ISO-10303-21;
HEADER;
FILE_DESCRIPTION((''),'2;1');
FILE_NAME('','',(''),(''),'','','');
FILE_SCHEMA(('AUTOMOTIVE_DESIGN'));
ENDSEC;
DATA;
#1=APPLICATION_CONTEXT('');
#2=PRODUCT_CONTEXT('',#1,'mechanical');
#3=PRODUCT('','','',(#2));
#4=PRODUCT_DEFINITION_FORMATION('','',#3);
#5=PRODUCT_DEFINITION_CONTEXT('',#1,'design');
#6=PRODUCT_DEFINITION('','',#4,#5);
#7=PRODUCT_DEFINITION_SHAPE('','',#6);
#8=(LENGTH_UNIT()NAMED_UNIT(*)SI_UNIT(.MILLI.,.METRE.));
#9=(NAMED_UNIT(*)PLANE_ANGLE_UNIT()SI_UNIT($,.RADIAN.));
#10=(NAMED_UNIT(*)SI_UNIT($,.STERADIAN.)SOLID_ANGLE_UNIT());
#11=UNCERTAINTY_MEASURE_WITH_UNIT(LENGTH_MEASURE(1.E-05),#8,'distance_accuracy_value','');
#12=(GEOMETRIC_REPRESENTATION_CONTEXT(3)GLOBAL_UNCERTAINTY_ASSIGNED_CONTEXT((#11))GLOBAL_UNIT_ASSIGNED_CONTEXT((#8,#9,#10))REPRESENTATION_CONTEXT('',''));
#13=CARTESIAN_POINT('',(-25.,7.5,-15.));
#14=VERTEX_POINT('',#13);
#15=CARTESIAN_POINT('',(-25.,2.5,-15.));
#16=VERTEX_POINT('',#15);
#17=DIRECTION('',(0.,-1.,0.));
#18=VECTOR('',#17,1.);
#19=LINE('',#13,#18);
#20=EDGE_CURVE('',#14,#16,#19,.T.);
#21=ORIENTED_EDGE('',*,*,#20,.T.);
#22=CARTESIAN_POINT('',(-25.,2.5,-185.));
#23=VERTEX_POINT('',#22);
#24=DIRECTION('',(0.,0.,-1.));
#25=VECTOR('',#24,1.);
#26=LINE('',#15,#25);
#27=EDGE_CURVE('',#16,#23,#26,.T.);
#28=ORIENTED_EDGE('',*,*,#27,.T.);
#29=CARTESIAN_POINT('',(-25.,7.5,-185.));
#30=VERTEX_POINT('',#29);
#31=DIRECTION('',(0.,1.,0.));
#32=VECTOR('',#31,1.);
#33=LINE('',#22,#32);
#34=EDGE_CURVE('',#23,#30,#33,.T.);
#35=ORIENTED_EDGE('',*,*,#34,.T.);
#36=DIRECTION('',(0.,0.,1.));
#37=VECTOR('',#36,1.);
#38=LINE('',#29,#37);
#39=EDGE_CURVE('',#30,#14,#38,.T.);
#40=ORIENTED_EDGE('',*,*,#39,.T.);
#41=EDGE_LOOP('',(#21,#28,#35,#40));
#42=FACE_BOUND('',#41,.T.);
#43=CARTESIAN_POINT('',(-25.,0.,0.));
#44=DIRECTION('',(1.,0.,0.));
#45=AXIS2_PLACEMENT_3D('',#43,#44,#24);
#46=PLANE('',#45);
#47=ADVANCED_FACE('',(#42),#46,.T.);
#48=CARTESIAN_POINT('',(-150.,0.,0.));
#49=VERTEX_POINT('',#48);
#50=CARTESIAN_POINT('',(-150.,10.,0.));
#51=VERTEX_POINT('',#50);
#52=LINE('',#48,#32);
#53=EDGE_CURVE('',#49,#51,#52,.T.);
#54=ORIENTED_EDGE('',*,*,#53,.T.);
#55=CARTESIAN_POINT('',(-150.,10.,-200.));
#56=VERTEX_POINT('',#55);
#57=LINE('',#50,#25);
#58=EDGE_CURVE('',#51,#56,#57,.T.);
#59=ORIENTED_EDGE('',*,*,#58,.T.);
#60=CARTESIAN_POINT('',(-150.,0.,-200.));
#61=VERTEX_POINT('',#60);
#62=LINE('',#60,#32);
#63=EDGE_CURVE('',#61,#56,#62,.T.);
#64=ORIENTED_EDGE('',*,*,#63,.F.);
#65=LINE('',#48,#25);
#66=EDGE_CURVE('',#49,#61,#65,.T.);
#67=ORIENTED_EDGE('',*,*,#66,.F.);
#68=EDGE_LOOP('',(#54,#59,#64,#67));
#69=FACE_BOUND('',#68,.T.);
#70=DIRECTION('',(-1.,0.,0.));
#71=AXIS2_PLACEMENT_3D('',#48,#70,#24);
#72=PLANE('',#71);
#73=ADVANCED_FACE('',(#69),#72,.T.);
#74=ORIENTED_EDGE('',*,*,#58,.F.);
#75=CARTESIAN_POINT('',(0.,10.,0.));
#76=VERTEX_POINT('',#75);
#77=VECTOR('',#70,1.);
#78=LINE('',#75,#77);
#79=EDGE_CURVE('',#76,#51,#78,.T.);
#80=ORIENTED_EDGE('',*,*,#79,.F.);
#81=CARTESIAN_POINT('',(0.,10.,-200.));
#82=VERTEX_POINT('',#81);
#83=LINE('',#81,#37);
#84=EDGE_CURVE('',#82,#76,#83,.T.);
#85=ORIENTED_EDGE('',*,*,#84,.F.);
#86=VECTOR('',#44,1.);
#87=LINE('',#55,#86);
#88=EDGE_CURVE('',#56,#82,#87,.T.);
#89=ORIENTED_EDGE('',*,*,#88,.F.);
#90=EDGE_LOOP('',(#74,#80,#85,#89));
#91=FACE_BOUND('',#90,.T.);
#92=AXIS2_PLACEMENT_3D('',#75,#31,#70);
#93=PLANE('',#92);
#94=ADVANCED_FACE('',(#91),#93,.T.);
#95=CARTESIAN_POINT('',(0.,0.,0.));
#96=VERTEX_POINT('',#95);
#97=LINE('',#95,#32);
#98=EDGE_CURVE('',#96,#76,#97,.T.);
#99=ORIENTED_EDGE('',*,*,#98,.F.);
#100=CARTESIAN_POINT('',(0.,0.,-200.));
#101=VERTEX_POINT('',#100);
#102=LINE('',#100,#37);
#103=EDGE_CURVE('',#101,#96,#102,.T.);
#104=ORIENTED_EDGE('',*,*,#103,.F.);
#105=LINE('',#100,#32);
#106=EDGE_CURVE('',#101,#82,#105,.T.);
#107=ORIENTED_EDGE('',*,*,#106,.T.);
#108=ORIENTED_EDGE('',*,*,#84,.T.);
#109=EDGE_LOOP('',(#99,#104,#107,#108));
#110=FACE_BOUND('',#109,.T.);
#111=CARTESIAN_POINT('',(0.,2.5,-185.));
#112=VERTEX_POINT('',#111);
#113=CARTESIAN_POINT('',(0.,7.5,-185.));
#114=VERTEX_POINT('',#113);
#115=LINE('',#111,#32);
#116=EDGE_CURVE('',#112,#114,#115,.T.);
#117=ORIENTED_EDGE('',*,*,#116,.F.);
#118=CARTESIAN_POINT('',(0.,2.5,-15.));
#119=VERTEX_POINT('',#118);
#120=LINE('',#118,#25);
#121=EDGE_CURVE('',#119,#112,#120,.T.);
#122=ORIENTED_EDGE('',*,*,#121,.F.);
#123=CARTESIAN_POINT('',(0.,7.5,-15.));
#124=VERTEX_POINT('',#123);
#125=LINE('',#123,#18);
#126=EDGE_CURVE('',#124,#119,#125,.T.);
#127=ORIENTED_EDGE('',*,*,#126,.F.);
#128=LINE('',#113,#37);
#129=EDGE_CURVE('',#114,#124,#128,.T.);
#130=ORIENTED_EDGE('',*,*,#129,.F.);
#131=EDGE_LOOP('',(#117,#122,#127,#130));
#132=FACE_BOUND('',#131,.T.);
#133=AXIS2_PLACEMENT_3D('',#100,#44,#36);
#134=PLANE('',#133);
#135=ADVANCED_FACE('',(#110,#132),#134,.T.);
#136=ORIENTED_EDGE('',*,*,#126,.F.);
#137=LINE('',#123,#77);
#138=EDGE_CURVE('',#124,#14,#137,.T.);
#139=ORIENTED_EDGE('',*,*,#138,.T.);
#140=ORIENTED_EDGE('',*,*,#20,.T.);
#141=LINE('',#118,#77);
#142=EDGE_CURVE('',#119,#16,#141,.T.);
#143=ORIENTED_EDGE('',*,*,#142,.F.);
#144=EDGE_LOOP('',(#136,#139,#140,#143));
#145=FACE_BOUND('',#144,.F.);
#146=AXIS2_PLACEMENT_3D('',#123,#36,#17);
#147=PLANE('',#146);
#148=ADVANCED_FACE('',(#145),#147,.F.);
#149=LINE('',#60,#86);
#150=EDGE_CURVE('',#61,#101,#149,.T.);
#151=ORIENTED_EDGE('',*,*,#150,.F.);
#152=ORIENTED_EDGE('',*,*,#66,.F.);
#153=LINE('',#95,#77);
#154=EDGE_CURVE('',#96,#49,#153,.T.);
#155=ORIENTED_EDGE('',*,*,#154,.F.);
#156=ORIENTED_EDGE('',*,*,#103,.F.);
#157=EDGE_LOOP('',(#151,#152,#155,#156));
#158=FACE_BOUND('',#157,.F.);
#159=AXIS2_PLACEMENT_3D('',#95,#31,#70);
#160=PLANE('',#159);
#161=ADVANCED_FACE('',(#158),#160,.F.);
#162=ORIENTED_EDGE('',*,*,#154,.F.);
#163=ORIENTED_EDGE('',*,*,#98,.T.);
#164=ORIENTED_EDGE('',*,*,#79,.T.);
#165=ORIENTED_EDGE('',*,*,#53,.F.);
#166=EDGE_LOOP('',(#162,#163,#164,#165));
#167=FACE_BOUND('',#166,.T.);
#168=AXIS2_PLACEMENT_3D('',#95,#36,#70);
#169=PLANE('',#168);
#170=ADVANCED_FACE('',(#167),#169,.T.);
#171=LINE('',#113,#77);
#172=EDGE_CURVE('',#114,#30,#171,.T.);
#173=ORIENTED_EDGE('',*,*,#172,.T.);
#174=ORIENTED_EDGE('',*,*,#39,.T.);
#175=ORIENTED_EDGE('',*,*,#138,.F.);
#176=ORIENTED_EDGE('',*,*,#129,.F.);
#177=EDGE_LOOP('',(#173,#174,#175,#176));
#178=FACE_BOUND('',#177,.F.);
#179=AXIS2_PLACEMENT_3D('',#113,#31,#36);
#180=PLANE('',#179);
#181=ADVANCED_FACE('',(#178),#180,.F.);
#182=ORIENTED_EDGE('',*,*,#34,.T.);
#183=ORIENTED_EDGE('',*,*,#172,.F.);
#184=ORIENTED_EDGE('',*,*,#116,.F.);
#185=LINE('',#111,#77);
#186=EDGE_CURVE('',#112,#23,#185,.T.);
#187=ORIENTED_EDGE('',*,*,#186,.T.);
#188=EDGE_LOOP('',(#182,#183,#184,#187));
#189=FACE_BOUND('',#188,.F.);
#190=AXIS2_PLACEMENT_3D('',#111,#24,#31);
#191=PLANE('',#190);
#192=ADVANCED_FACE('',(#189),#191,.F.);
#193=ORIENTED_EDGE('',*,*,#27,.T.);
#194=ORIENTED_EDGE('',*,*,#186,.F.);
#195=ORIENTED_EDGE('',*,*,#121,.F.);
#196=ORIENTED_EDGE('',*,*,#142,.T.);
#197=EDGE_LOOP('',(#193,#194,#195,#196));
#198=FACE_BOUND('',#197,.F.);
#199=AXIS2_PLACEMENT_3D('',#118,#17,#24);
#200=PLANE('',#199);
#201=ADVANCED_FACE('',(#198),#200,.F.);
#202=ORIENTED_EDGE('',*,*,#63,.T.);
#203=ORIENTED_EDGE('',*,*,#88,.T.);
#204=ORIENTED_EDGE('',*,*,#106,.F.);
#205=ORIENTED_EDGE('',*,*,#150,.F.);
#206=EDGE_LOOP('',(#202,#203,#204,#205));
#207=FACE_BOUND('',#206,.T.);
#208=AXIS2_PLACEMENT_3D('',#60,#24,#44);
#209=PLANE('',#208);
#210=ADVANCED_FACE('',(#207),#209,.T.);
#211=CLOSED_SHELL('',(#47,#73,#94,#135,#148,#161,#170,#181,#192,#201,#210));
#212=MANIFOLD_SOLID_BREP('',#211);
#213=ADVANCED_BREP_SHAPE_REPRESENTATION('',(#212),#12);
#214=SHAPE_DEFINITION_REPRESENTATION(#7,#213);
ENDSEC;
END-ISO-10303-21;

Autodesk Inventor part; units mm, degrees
ref_plane "YZ Plane" through (0, 0, 0) normal (1, 0, 0) x (0, 1, 0)
ref_plane "XZ Plane" through (0, 0, 0) normal (0, 1, 0) x (-1, 0, 0)
ref_plane "XY Plane" through (0, 0, 0) normal (0, 0, 1) x (1, 0, 0)
sketch "Sketch1" plane through (0, 0, 0) normal (0, 1, 0) x (-1, 0, 0)
  line L0 (0, 0) -> (150, 0)
  line L1 (150, 0) -> (150, -200)
  line L2 (150, -200) -> (0, -200)
  line L3 (0, -200) -> (0, 0)
  dimension "d0" = 150
  dimension "d1" = 200
extrude "Extrusion1" add sketch "Sketch1" along normal blind 10
sketch "Sketch2" plane through (0, 0, 0) normal (1, 0, 0) x (0, 0, -1)
  line L0 (15, 2.5) -> (185, 2.5)
  line L1 (185, 2.5) -> (185, 7.5)
  line L2 (185, 7.5) -> (15, 7.5)
  line L3 (15, 7.5) -> (15, 2.5)
  point P0 (0, 0)
  dimension "d4" = 170
  dimension "d5" = 5
extrude "Extrusion2" cut sketch "Sketch2" against normal blind 25
properties part number "Chassis Upper - Female"
